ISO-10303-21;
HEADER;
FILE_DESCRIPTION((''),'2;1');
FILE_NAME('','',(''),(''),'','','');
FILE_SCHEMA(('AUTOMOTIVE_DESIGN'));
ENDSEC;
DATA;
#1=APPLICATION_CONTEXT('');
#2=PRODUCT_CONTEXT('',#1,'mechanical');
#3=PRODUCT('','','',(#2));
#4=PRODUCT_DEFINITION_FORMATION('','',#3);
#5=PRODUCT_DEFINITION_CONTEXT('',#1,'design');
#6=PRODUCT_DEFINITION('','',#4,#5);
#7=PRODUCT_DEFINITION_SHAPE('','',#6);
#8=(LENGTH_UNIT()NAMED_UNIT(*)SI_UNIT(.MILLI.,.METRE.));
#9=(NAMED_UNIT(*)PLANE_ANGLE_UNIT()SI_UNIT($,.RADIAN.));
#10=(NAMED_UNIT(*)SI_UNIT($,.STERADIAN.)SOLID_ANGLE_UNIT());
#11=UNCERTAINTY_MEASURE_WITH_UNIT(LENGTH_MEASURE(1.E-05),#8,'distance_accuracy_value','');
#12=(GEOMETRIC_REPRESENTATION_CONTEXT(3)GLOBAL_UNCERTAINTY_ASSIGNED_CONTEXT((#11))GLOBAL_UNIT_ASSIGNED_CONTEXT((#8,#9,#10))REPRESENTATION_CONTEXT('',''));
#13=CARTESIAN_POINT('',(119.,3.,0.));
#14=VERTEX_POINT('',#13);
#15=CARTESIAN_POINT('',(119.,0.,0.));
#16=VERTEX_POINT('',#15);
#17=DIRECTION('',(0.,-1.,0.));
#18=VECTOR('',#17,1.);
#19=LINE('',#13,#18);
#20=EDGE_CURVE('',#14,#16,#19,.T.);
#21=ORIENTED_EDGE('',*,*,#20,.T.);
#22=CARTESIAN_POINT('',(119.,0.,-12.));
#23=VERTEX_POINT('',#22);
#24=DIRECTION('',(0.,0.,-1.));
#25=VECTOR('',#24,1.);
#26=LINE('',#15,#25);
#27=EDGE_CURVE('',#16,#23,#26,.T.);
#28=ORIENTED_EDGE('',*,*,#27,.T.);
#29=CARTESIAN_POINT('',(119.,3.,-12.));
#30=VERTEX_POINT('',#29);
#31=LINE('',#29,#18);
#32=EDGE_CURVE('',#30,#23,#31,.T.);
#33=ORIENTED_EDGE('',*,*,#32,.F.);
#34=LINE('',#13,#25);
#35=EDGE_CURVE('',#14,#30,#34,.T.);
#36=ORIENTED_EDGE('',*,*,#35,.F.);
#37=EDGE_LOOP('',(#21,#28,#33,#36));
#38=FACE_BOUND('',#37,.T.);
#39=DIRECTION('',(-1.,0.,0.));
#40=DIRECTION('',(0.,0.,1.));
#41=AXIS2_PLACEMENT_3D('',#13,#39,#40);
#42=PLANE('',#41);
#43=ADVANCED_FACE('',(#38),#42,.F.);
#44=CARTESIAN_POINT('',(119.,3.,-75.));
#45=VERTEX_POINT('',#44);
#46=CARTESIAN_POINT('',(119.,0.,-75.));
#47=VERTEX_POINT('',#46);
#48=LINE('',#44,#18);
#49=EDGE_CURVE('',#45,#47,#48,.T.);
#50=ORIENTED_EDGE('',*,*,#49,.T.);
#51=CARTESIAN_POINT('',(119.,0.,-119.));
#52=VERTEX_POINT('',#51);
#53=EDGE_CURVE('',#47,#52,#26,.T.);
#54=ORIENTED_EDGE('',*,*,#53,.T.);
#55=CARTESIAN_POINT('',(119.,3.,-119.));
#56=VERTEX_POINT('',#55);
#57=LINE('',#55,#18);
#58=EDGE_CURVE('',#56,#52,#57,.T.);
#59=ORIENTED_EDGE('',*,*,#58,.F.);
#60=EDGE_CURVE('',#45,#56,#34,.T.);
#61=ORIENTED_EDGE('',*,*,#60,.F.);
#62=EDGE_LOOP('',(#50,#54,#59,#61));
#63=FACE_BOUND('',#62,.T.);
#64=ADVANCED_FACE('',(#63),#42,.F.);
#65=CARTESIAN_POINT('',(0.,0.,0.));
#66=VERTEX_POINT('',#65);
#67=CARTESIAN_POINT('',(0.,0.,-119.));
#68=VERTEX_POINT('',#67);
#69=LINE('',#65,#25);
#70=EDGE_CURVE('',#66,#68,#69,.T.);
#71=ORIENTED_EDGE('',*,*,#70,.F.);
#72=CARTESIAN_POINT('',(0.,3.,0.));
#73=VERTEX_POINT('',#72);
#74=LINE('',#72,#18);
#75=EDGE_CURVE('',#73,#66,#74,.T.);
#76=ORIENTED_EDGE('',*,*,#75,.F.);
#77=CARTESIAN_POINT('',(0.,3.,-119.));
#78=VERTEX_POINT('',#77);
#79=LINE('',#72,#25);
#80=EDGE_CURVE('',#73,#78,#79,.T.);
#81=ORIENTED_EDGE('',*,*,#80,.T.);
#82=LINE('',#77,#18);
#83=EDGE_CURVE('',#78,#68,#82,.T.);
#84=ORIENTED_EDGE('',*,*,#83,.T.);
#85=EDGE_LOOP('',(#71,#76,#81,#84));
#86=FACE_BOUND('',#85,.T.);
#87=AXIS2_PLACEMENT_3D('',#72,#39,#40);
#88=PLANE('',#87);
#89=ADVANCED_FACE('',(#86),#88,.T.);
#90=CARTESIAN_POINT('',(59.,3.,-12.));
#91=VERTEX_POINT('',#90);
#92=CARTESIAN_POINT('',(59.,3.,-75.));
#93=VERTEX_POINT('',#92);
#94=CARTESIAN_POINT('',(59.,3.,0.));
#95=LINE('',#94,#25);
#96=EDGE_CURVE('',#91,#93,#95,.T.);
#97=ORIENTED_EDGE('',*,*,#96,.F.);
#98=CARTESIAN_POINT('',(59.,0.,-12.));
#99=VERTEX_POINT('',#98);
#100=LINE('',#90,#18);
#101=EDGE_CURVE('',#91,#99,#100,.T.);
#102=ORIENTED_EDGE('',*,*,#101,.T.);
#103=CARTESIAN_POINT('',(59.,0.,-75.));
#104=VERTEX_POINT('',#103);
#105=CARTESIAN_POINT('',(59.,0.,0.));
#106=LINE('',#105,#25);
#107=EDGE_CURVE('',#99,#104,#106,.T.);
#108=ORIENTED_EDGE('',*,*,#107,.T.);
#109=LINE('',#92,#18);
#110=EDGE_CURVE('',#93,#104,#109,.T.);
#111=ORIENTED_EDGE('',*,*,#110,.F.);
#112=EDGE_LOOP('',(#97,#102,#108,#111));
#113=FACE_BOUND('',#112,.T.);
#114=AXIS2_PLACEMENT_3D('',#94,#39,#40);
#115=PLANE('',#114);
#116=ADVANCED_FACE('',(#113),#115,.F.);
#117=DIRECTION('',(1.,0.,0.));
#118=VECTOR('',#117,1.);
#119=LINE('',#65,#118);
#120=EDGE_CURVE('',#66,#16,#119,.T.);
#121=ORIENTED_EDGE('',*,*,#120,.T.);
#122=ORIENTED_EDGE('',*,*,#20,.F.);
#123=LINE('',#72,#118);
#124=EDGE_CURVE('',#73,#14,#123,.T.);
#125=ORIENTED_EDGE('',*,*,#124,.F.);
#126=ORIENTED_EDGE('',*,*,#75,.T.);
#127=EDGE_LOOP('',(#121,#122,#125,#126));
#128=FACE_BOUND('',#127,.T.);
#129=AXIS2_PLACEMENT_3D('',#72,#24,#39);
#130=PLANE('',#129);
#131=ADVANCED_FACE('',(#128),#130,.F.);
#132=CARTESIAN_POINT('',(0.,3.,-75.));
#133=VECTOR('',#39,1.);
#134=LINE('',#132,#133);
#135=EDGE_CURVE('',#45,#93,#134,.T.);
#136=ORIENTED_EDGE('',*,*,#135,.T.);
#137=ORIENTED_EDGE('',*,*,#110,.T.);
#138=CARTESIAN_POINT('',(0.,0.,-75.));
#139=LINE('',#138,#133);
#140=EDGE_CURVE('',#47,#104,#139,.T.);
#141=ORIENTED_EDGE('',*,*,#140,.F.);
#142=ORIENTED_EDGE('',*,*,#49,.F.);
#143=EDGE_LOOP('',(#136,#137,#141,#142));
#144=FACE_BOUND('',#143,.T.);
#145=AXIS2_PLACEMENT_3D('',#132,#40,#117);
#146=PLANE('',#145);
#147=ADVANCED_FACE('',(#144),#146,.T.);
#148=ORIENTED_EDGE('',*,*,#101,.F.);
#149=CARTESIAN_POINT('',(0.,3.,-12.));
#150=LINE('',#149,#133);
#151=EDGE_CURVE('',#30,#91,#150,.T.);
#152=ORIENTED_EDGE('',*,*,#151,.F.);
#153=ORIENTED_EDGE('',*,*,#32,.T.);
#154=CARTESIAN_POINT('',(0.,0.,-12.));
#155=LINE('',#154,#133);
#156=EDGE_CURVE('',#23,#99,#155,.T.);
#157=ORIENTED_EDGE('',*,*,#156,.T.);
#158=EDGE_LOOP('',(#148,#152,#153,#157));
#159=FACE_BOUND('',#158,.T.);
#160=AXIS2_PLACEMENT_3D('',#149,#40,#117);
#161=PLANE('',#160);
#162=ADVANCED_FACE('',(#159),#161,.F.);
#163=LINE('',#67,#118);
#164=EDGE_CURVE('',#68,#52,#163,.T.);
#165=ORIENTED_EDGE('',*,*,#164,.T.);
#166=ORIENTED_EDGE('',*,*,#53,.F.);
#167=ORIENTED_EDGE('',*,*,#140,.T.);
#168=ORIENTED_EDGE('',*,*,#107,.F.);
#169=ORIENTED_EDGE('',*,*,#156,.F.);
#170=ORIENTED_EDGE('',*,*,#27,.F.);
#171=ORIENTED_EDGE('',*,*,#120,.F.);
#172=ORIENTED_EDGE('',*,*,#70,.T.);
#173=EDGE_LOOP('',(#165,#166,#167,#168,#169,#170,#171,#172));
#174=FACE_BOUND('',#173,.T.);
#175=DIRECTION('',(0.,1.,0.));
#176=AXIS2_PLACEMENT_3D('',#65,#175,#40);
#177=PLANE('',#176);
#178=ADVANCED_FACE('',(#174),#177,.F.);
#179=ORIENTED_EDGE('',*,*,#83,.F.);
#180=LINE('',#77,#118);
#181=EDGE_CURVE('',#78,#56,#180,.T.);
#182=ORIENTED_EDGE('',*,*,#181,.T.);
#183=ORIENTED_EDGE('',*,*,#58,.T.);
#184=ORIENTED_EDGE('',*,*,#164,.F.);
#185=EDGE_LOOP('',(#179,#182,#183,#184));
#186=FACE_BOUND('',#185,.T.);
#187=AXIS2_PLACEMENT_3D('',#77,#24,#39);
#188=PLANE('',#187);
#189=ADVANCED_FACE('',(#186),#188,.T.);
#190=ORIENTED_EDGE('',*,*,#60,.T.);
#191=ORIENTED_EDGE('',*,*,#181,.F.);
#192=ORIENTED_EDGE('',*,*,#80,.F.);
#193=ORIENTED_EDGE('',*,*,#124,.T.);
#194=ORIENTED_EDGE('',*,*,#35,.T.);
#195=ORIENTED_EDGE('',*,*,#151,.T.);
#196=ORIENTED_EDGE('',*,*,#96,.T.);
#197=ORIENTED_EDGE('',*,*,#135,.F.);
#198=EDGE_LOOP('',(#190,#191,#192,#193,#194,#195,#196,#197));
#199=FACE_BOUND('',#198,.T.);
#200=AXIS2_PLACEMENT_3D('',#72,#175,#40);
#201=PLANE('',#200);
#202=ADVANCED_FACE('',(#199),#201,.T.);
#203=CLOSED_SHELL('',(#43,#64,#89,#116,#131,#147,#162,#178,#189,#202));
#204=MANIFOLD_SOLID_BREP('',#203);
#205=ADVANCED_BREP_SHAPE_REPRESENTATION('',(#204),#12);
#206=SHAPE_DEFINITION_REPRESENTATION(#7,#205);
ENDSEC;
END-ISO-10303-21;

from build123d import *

# Parameters (mm, degrees)
BOSS_EXTRU_1_DEPTH = 3


with BuildPart() as part:
    # Esquisse1 → Boss.-Extru.1 (new body)
    with BuildSketch(Plane(origin=(0, 0, 0), x_dir=(1, 0, 0), z_dir=(0, 1, 0))):
        Polygon((0, 119), (0, 0), (119, 0), (119, 12), (59, 12), (59, 75), (119, 75), (119, 119), align=None)
    extrude(amount=BOSS_EXTRU_1_DEPTH)


solid = part.part
